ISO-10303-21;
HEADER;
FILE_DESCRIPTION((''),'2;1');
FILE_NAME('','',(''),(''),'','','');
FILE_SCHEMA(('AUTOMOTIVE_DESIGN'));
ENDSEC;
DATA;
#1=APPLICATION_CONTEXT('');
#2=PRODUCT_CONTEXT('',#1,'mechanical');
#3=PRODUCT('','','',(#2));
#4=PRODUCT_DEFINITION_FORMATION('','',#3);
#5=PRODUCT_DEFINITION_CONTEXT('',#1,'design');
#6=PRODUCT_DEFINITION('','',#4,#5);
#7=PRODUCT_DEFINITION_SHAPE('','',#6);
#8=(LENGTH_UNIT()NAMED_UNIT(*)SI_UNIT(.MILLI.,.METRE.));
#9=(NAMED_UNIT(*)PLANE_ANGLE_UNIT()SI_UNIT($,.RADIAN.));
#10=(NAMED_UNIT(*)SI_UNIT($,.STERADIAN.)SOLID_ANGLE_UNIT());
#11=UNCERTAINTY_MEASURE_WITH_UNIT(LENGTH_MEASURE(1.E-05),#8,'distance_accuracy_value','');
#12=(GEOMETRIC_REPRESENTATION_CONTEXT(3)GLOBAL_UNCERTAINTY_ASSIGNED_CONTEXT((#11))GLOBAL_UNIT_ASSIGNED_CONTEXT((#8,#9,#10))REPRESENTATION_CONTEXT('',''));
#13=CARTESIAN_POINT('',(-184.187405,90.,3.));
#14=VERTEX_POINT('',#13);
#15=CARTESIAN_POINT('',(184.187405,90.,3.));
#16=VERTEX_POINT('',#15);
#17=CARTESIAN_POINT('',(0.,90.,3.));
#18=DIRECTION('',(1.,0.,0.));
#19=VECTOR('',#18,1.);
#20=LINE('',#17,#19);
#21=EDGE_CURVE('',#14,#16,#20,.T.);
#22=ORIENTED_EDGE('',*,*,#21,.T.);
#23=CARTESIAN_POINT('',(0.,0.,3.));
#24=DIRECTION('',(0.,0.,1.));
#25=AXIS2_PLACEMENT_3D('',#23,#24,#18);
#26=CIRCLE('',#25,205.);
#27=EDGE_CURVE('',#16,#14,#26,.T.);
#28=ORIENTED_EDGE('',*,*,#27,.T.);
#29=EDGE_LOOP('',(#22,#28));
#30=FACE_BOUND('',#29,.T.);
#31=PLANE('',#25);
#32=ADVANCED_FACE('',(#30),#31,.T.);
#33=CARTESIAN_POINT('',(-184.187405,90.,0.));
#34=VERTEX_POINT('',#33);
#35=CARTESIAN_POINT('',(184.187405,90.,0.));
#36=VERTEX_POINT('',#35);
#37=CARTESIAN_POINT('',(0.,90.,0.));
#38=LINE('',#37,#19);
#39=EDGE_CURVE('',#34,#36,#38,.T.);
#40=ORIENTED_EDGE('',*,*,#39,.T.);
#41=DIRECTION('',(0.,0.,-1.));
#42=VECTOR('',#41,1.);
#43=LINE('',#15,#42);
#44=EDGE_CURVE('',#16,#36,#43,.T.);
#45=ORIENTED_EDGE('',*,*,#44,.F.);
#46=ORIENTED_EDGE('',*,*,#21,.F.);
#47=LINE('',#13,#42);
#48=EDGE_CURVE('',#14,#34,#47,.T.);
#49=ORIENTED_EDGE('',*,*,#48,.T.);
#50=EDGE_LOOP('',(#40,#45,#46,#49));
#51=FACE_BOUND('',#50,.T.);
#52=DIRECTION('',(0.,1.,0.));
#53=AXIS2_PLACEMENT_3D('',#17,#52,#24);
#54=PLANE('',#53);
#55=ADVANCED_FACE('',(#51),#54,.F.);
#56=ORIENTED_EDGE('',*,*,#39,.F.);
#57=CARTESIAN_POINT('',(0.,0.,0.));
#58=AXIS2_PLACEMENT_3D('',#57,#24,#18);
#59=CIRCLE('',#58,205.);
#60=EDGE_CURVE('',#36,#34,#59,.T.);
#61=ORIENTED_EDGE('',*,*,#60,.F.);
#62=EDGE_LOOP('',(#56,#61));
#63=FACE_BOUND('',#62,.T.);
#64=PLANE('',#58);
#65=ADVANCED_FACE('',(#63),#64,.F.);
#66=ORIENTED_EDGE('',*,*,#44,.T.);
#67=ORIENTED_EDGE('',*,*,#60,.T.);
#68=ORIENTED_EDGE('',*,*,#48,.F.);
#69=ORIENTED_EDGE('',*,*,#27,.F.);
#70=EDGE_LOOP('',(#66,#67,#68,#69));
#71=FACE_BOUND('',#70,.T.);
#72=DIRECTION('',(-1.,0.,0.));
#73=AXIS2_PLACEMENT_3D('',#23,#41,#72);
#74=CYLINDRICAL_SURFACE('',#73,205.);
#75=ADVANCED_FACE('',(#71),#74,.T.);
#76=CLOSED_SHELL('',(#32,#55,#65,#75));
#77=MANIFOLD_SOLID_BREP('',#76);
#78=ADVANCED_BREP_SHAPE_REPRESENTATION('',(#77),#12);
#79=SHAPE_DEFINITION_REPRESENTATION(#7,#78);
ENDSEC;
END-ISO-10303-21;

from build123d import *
from build123d.topology import SkipClean

# Parameters (mm, degrees)
SKETCH_1_R          = 210
SKETCH_1_R_2        = 203
EXTRUDE_2_DEPTH     = 174
EXTRUDE_START       = -174
EXTRUDE_4_DEPTH     = 174
CUT_EXTRUDE_1_DEPTH = 654
EXTRUDE_5_DEPTH     = 174
EXTRUDE_6_DEPTH     = 174
EXTRUDE_7_DEPTH     = 174
EXTRUDE_8_DEPTH     = 174
CUT_EXTRUDE_START   = -654
CUT_EXTRUDE_2_DEPTH = 654
SKETCH_10_W         = 20.487801248
SKETCH_10_H         = 174
CUT_EXTRUDE_3_DEPTH = 327
SKETCH_11_W         = 235.63772895
SKETCH_11_H         = 249.192111589
CUT_EXTRUDE_4_DEPTH = 238
EXTRUDE_10_DEPTH    = 180
SKETCH_17_W         = 286.098661696
SKETCH_17_H         = 191.878669743
CUT_EXTRUDE_5_DEPTH = 322
EXTRUDE_11_DEPTH    = 180
SKETCH_20_R         = 4
CUT_EXTRUDE_7_DEPTH = 555.5
EXTRUDE_13_DEPTH    = 3
SKETCH_25_W         = 733.806449845
SKETCH_25_H         = 306.921913774
CUT_EXTRUDE_8_DEPTH = 240.5


with BuildPart() as part:
    # 草图1 → 凸台-拉伸2 (new body)
    with BuildSketch(Plane.XY):
        Circle(SKETCH_1_R)
        Circle(SKETCH_1_R_2, mode=Mode.SUBTRACT)
    extrude(amount=EXTRUDE_2_DEPTH)

    # 草图2 → 凸台-拉伸4 (add)
    with BuildSketch(Plane.XY.offset(174).offset(EXTRUDE_START)):
        with BuildLine():
            Line((-170.735431044, -102), (-173.735431044, -102))
            Line((-173.735431044, -102), (-175.513532242, -102))
            ThreePointArc((-175.513532242, -102), (-174.63092392, -103.50381834), (-173.735431044, -105))
            Line((-173.735431044, -105), (-170.735431044, -105))
            Line((-170.735431044, -105), (-170.735431044, -102))
        make_face()
        with BuildLine():
            ThreePointArc((173.735431044, -105), (174.63092392, -103.50381834), (175.513532242, -102))
            Line((175.513532242, -102), (173.735431044, -102))
            Line((173.735431044, -102), (170.735431044, -102))
            Line((170.735431044, -102), (170.735431044, -105))
            Line((170.735431044, -105), (173.735431044, -105))
        make_face()
    extrude(amount=EXTRUDE_4_DEPTH)

    # 草图3 → 切除-拉伸1 (cut)
    with BuildSketch(Plane.XY.offset(174)):
        Polygon((-170.735431044, -102), (238.333646515, -102), (254.334169784, 272.292523591), (-334.569415043, 221.85110305), (-306.830562533, -102), align=None)
    extrude(amount=-CUT_EXTRUDE_1_DEPTH, mode=Mode.SUBTRACT)

    # 草图5 → 凸台-拉伸5 (add)
    with BuildSketch(Plane.XY.offset(174).offset(EXTRUDE_START)):
        with BuildLine():
            Line((-120, -209.75), (-10.243900624, -209.75))
            ThreePointArc((-10.243900624, -209.75), (-67.755470707, -198.769203322), (-120, -172.336879396))
            Line((-120, -172.336879396), (-120, -209.75))
        make_face()
        with BuildLine():
            ThreePointArc((120, -172.336879396), (67.755470707, -198.769203322), (10.243900624, -209.75))
            Line((10.243900624, -209.75), (120, -209.75))
            Line((120, -209.75), (120, -172.336879396))
        make_face()
    extrude(amount=EXTRUDE_5_DEPTH)

    # 草图6 → 凸台-拉伸6 (add)
    with BuildSketch(Plane.XY.offset(174).offset(EXTRUDE_START)):
        with BuildLine():
            Line((-175.513532242, -102), (-166.195667814, -102))
            ThreePointArc((-166.195667814, -102), (0, -195), (166.195667814, -102))
            Line((166.195667814, -102), (175.513532242, -102))
            ThreePointArc((175.513532242, -102), (0, -203), (-175.513532242, -102))
        make_face()
    extrude(amount=EXTRUDE_6_DEPTH)

    # 草图7 → 凸台-拉伸7 (add)
    with BuildSketch(Plane.XY.offset(174).offset(EXTRUDE_START)):
        with BuildLine():
            Line((-166.933126535, -92), (-166.933126535, -95))
            Line((-166.933126535, -95), (-170.293863659, -95))
            ThreePointArc((-170.293863659, -95), (0, -195), (170.293863659, -95))
            Line((170.293863659, -95), (166.933126535, -95))
            Line((166.933126535, -95), (166.933126535, -92))
            Line((166.933126535, -92), (171.933126535, -92))
            Line((171.933126535, -92), (188.496850106, -92))
            ThreePointArc((188.496850106, -92), (0, -209.75), (-188.496850106, -92))
            Line((-188.496850106, -92), (-171.933126535, -92))
            Line((-171.933126535, -92), (-166.933126535, -92))
        make_face()
    extrude(amount=EXTRUDE_7_DEPTH)

    # 草图8 → 凸台-拉伸8 (add)
    with BuildSketch(Plane(origin=(0, 0, 0), x_dir=(-1, 0, 0), z_dir=(0, 0, -1))):
        with BuildLine():
            Line((166.933126535, -92), (163.933126535, -92))
            Line((163.933126535, -92), (163.933126535, -99))
            Line((163.933126535, -99), (168, -99))
            ThreePointArc((168, -99), (169.158755456, -97.006780447), (170.293863659, -95))
            Line((170.293863659, -95), (166.933126535, -95))
            Line((166.933126535, -95), (166.933126535, -92))
        make_face()
        with BuildLine():
            Line((-166.933126535, -95), (-170.293863659, -95))
            ThreePointArc((-170.293863659, -95), (-169.158755456, -97.006780447), (-168, -99))
            Line((-168, -99), (-163.933126535, -99))
            Line((-163.933126535, -99), (-163.933126535, -92))
            Line((-163.933126535, -92), (-166.933126535, -92))
            Line((-166.933126535, -92), (-166.933126535, -95))
        make_face()
    extrude(amount=-EXTRUDE_8_DEPTH)

    # 草图9 → 切除-拉伸2 (cut)
    with BuildSketch(Plane.XY.offset(174).offset(CUT_EXTRUDE_START)):
        with BuildLine():
            Line((0, -195), (0, -182.225251044))
            Line((0, -182.225251044), (-50, -182.225251044))
            Line((-50, -182.225251044), (-50, -188.48076825))
            ThreePointArc((-50, -188.48076825), (-25.211606368, -193.363323576), (0, -195))
        make_face()
        with BuildLine():
            Line((0, -209.75), (0, -195))
            ThreePointArc((0, -195), (-25.211606368, -193.363323576), (-50, -188.48076825))
            Line((-50, -188.48076825), (-50, -195))
            Line((-50, -195), (-50, -209.75))
            Line((-50, -209.75), (-10.243900624, -209.75))
            Line((-10.243900624, -209.75), (0, -209.75))
        make_face()
        with BuildLine():
            ThreePointArc((50, -188.48076825), (25.211606368, -193.363323576), (0, -195))
            Line((0, -195), (0, -209.75))
            Line((0, -209.75), (10.243900624, -209.75))
            Line((10.243900624, -209.75), (50, -209.75))
            Line((50, -209.75), (50, -195))
            Line((50, -195), (50, -188.48076825))
        make_face()
        with BuildLine():
            Line((50, -182.225251044), (0, -182.225251044))
            Line((0, -182.225251044), (0, -195))
            ThreePointArc((0, -195), (25.211606368, -193.363323576), (50, -188.48076825))
            Line((50, -188.48076825), (50, -182.225251044))
        make_face()
    extrude(amount=CUT_EXTRUDE_2_DEPTH, mode=Mode.SUBTRACT)


with BuildPart() as cut_extrude_2_piece_1:
    # of the separate pieces the step leaves, piece 1, a body of its own (cut_extrude_2_pieces)
    add(part.part.solids().sort_by_distance((-183.564702489, -102, 0))[0])

    # 草图11 → 切除-拉伸4 (cut)
    with BuildSketch(Plane(origin=(0, 0, 0), x_dir=(-1, 0, 0), z_dir=(0, 0, -1))):
        with Locations((136.586471206, -141.23053543)):
            Rectangle(SKETCH_11_W, SKETCH_11_H)
    extrude(amount=-CUT_EXTRUDE_4_DEPTH, mode=Mode.SUBTRACT)


with BuildPart() as cut_extrude_2_piece_2:
    # of the separate pieces the step leaves, piece 2, a body of its own (cut_extrude_2_pieces)
    add(part.part.solids().sort_by_distance((50, -188.48076825, 0))[0])

    # 草图17 → 切除-拉伸5 (cut)
    with BuildSketch(Plane(origin=(0, -92, 0), x_dir=(1, 0, 0), z_dir=(0, 1, 0))):
        with Locations((123.864076708, -90.777636372)):
            Rectangle(SKETCH_17_W, SKETCH_17_H)
    extrude(amount=-CUT_EXTRUDE_5_DEPTH, mode=Mode.SUBTRACT)


with BuildPart() as cut_extrude_2_piece_3:
    # of the separate pieces the step leaves, piece 3, a body of its own (cut_extrude_2_pieces)
    add(part.part.solids().sort_by_distance((10.243900624, -209.75, 0))[0])

    # 草图10 → 切除-拉伸3 (cut, symmetric)
    with BuildSketch(Plane(origin=(0, -209.75, 0), x_dir=(1, 0, 0), z_dir=(0, 1, 0))):
        with Locations((0, -87)):
            Rectangle(SKETCH_10_W, SKETCH_10_H)
    extrude(amount=CUT_EXTRUDE_3_DEPTH, both=True, mode=Mode.SUBTRACT)


with BuildPart() as body_2:
    # 草图14 → 凸台-拉伸10 (new body)
    with BuildSketch(Plane.XY.offset(209.75)):
        with BuildLine():
            Line((0, 210), (0, 205))
            ThreePointArc((0, 205), (174.477792283, 107.622023768), (183.196615689, -92))
            Line((183.196615689, -92), (188.774998345, -92))
            ThreePointArc((188.774998345, -92), (178.073018731, 111.310376875), (0, 210))
        make_face()
    extrude(amount=EXTRUDE_10_DEPTH)

    # 草图18 → 凸台-拉伸11 (add)
    with SkipClean():  # the faces are left unmerged after this step: merging them gives an invalid solid
        with BuildSketch(Plane.XY.offset(389.75)):
            with BuildLine():
                ThreePointArc((0, 210), (-178.073018731, 111.310376875), (-188.774998345, -92))
                Line((-188.774998345, -92), (-183.196615689, -92))
                ThreePointArc((-183.196615689, -92), (-174.477792283, 107.622023768), (0, 205))
                Line((0, 205), (0, 210))
            make_face()
        extrude(amount=-EXTRUDE_11_DEPTH)

    # 草图20 → 切除-拉伸7 (cut, symmetric)
    with SkipClean():  # the faces are left unmerged after this step: merging them gives an invalid solid
        with BuildSketch(Plane(origin=(0, 0, 0), x_dir=(0, 0, -1), z_dir=(1, 0, 0))):
            with Locations((-382.75, 98)):
                Circle(SKETCH_20_R)
        extrude(amount=CUT_EXTRUDE_7_DEPTH, both=True, mode=Mode.SUBTRACT)

    # 草图25 → 切除-拉伸8 (cut, symmetric)
    with BuildSketch(Plane(origin=(0, 0, 0), x_dir=(1, 0, 0), z_dir=(0, 1, 0))):
        with Locations((28.762967919, -312.90839884)):
            Rectangle(SKETCH_25_W, SKETCH_25_H)
    extrude(amount=CUT_EXTRUDE_8_DEPTH, both=True, mode=Mode.SUBTRACT)


with BuildPart() as body_2_2:
    # 草图24 → 凸台-拉伸13 (new body)
    with BuildSketch(Plane.XY):
        with BuildLine():
            Line((-184.187404564, 90), (0, 90))
            Line((0, 90), (184.187404564, 90))
            ThreePointArc((184.187404564, 90), (181.243442773, 95.790471613), (178.117498021, 101.484761905))
            ThreePointArc((178.117498021, 101.484761905), (0, 205), (-178.117498021, 101.484761905))
            ThreePointArc((-178.117498021, 101.484761905), (-181.243442773, 95.790471613), (-184.187404564, 90))
        make_face()
    extrude(amount=EXTRUDE_13_DEPTH)


solid = body_2_2.part
